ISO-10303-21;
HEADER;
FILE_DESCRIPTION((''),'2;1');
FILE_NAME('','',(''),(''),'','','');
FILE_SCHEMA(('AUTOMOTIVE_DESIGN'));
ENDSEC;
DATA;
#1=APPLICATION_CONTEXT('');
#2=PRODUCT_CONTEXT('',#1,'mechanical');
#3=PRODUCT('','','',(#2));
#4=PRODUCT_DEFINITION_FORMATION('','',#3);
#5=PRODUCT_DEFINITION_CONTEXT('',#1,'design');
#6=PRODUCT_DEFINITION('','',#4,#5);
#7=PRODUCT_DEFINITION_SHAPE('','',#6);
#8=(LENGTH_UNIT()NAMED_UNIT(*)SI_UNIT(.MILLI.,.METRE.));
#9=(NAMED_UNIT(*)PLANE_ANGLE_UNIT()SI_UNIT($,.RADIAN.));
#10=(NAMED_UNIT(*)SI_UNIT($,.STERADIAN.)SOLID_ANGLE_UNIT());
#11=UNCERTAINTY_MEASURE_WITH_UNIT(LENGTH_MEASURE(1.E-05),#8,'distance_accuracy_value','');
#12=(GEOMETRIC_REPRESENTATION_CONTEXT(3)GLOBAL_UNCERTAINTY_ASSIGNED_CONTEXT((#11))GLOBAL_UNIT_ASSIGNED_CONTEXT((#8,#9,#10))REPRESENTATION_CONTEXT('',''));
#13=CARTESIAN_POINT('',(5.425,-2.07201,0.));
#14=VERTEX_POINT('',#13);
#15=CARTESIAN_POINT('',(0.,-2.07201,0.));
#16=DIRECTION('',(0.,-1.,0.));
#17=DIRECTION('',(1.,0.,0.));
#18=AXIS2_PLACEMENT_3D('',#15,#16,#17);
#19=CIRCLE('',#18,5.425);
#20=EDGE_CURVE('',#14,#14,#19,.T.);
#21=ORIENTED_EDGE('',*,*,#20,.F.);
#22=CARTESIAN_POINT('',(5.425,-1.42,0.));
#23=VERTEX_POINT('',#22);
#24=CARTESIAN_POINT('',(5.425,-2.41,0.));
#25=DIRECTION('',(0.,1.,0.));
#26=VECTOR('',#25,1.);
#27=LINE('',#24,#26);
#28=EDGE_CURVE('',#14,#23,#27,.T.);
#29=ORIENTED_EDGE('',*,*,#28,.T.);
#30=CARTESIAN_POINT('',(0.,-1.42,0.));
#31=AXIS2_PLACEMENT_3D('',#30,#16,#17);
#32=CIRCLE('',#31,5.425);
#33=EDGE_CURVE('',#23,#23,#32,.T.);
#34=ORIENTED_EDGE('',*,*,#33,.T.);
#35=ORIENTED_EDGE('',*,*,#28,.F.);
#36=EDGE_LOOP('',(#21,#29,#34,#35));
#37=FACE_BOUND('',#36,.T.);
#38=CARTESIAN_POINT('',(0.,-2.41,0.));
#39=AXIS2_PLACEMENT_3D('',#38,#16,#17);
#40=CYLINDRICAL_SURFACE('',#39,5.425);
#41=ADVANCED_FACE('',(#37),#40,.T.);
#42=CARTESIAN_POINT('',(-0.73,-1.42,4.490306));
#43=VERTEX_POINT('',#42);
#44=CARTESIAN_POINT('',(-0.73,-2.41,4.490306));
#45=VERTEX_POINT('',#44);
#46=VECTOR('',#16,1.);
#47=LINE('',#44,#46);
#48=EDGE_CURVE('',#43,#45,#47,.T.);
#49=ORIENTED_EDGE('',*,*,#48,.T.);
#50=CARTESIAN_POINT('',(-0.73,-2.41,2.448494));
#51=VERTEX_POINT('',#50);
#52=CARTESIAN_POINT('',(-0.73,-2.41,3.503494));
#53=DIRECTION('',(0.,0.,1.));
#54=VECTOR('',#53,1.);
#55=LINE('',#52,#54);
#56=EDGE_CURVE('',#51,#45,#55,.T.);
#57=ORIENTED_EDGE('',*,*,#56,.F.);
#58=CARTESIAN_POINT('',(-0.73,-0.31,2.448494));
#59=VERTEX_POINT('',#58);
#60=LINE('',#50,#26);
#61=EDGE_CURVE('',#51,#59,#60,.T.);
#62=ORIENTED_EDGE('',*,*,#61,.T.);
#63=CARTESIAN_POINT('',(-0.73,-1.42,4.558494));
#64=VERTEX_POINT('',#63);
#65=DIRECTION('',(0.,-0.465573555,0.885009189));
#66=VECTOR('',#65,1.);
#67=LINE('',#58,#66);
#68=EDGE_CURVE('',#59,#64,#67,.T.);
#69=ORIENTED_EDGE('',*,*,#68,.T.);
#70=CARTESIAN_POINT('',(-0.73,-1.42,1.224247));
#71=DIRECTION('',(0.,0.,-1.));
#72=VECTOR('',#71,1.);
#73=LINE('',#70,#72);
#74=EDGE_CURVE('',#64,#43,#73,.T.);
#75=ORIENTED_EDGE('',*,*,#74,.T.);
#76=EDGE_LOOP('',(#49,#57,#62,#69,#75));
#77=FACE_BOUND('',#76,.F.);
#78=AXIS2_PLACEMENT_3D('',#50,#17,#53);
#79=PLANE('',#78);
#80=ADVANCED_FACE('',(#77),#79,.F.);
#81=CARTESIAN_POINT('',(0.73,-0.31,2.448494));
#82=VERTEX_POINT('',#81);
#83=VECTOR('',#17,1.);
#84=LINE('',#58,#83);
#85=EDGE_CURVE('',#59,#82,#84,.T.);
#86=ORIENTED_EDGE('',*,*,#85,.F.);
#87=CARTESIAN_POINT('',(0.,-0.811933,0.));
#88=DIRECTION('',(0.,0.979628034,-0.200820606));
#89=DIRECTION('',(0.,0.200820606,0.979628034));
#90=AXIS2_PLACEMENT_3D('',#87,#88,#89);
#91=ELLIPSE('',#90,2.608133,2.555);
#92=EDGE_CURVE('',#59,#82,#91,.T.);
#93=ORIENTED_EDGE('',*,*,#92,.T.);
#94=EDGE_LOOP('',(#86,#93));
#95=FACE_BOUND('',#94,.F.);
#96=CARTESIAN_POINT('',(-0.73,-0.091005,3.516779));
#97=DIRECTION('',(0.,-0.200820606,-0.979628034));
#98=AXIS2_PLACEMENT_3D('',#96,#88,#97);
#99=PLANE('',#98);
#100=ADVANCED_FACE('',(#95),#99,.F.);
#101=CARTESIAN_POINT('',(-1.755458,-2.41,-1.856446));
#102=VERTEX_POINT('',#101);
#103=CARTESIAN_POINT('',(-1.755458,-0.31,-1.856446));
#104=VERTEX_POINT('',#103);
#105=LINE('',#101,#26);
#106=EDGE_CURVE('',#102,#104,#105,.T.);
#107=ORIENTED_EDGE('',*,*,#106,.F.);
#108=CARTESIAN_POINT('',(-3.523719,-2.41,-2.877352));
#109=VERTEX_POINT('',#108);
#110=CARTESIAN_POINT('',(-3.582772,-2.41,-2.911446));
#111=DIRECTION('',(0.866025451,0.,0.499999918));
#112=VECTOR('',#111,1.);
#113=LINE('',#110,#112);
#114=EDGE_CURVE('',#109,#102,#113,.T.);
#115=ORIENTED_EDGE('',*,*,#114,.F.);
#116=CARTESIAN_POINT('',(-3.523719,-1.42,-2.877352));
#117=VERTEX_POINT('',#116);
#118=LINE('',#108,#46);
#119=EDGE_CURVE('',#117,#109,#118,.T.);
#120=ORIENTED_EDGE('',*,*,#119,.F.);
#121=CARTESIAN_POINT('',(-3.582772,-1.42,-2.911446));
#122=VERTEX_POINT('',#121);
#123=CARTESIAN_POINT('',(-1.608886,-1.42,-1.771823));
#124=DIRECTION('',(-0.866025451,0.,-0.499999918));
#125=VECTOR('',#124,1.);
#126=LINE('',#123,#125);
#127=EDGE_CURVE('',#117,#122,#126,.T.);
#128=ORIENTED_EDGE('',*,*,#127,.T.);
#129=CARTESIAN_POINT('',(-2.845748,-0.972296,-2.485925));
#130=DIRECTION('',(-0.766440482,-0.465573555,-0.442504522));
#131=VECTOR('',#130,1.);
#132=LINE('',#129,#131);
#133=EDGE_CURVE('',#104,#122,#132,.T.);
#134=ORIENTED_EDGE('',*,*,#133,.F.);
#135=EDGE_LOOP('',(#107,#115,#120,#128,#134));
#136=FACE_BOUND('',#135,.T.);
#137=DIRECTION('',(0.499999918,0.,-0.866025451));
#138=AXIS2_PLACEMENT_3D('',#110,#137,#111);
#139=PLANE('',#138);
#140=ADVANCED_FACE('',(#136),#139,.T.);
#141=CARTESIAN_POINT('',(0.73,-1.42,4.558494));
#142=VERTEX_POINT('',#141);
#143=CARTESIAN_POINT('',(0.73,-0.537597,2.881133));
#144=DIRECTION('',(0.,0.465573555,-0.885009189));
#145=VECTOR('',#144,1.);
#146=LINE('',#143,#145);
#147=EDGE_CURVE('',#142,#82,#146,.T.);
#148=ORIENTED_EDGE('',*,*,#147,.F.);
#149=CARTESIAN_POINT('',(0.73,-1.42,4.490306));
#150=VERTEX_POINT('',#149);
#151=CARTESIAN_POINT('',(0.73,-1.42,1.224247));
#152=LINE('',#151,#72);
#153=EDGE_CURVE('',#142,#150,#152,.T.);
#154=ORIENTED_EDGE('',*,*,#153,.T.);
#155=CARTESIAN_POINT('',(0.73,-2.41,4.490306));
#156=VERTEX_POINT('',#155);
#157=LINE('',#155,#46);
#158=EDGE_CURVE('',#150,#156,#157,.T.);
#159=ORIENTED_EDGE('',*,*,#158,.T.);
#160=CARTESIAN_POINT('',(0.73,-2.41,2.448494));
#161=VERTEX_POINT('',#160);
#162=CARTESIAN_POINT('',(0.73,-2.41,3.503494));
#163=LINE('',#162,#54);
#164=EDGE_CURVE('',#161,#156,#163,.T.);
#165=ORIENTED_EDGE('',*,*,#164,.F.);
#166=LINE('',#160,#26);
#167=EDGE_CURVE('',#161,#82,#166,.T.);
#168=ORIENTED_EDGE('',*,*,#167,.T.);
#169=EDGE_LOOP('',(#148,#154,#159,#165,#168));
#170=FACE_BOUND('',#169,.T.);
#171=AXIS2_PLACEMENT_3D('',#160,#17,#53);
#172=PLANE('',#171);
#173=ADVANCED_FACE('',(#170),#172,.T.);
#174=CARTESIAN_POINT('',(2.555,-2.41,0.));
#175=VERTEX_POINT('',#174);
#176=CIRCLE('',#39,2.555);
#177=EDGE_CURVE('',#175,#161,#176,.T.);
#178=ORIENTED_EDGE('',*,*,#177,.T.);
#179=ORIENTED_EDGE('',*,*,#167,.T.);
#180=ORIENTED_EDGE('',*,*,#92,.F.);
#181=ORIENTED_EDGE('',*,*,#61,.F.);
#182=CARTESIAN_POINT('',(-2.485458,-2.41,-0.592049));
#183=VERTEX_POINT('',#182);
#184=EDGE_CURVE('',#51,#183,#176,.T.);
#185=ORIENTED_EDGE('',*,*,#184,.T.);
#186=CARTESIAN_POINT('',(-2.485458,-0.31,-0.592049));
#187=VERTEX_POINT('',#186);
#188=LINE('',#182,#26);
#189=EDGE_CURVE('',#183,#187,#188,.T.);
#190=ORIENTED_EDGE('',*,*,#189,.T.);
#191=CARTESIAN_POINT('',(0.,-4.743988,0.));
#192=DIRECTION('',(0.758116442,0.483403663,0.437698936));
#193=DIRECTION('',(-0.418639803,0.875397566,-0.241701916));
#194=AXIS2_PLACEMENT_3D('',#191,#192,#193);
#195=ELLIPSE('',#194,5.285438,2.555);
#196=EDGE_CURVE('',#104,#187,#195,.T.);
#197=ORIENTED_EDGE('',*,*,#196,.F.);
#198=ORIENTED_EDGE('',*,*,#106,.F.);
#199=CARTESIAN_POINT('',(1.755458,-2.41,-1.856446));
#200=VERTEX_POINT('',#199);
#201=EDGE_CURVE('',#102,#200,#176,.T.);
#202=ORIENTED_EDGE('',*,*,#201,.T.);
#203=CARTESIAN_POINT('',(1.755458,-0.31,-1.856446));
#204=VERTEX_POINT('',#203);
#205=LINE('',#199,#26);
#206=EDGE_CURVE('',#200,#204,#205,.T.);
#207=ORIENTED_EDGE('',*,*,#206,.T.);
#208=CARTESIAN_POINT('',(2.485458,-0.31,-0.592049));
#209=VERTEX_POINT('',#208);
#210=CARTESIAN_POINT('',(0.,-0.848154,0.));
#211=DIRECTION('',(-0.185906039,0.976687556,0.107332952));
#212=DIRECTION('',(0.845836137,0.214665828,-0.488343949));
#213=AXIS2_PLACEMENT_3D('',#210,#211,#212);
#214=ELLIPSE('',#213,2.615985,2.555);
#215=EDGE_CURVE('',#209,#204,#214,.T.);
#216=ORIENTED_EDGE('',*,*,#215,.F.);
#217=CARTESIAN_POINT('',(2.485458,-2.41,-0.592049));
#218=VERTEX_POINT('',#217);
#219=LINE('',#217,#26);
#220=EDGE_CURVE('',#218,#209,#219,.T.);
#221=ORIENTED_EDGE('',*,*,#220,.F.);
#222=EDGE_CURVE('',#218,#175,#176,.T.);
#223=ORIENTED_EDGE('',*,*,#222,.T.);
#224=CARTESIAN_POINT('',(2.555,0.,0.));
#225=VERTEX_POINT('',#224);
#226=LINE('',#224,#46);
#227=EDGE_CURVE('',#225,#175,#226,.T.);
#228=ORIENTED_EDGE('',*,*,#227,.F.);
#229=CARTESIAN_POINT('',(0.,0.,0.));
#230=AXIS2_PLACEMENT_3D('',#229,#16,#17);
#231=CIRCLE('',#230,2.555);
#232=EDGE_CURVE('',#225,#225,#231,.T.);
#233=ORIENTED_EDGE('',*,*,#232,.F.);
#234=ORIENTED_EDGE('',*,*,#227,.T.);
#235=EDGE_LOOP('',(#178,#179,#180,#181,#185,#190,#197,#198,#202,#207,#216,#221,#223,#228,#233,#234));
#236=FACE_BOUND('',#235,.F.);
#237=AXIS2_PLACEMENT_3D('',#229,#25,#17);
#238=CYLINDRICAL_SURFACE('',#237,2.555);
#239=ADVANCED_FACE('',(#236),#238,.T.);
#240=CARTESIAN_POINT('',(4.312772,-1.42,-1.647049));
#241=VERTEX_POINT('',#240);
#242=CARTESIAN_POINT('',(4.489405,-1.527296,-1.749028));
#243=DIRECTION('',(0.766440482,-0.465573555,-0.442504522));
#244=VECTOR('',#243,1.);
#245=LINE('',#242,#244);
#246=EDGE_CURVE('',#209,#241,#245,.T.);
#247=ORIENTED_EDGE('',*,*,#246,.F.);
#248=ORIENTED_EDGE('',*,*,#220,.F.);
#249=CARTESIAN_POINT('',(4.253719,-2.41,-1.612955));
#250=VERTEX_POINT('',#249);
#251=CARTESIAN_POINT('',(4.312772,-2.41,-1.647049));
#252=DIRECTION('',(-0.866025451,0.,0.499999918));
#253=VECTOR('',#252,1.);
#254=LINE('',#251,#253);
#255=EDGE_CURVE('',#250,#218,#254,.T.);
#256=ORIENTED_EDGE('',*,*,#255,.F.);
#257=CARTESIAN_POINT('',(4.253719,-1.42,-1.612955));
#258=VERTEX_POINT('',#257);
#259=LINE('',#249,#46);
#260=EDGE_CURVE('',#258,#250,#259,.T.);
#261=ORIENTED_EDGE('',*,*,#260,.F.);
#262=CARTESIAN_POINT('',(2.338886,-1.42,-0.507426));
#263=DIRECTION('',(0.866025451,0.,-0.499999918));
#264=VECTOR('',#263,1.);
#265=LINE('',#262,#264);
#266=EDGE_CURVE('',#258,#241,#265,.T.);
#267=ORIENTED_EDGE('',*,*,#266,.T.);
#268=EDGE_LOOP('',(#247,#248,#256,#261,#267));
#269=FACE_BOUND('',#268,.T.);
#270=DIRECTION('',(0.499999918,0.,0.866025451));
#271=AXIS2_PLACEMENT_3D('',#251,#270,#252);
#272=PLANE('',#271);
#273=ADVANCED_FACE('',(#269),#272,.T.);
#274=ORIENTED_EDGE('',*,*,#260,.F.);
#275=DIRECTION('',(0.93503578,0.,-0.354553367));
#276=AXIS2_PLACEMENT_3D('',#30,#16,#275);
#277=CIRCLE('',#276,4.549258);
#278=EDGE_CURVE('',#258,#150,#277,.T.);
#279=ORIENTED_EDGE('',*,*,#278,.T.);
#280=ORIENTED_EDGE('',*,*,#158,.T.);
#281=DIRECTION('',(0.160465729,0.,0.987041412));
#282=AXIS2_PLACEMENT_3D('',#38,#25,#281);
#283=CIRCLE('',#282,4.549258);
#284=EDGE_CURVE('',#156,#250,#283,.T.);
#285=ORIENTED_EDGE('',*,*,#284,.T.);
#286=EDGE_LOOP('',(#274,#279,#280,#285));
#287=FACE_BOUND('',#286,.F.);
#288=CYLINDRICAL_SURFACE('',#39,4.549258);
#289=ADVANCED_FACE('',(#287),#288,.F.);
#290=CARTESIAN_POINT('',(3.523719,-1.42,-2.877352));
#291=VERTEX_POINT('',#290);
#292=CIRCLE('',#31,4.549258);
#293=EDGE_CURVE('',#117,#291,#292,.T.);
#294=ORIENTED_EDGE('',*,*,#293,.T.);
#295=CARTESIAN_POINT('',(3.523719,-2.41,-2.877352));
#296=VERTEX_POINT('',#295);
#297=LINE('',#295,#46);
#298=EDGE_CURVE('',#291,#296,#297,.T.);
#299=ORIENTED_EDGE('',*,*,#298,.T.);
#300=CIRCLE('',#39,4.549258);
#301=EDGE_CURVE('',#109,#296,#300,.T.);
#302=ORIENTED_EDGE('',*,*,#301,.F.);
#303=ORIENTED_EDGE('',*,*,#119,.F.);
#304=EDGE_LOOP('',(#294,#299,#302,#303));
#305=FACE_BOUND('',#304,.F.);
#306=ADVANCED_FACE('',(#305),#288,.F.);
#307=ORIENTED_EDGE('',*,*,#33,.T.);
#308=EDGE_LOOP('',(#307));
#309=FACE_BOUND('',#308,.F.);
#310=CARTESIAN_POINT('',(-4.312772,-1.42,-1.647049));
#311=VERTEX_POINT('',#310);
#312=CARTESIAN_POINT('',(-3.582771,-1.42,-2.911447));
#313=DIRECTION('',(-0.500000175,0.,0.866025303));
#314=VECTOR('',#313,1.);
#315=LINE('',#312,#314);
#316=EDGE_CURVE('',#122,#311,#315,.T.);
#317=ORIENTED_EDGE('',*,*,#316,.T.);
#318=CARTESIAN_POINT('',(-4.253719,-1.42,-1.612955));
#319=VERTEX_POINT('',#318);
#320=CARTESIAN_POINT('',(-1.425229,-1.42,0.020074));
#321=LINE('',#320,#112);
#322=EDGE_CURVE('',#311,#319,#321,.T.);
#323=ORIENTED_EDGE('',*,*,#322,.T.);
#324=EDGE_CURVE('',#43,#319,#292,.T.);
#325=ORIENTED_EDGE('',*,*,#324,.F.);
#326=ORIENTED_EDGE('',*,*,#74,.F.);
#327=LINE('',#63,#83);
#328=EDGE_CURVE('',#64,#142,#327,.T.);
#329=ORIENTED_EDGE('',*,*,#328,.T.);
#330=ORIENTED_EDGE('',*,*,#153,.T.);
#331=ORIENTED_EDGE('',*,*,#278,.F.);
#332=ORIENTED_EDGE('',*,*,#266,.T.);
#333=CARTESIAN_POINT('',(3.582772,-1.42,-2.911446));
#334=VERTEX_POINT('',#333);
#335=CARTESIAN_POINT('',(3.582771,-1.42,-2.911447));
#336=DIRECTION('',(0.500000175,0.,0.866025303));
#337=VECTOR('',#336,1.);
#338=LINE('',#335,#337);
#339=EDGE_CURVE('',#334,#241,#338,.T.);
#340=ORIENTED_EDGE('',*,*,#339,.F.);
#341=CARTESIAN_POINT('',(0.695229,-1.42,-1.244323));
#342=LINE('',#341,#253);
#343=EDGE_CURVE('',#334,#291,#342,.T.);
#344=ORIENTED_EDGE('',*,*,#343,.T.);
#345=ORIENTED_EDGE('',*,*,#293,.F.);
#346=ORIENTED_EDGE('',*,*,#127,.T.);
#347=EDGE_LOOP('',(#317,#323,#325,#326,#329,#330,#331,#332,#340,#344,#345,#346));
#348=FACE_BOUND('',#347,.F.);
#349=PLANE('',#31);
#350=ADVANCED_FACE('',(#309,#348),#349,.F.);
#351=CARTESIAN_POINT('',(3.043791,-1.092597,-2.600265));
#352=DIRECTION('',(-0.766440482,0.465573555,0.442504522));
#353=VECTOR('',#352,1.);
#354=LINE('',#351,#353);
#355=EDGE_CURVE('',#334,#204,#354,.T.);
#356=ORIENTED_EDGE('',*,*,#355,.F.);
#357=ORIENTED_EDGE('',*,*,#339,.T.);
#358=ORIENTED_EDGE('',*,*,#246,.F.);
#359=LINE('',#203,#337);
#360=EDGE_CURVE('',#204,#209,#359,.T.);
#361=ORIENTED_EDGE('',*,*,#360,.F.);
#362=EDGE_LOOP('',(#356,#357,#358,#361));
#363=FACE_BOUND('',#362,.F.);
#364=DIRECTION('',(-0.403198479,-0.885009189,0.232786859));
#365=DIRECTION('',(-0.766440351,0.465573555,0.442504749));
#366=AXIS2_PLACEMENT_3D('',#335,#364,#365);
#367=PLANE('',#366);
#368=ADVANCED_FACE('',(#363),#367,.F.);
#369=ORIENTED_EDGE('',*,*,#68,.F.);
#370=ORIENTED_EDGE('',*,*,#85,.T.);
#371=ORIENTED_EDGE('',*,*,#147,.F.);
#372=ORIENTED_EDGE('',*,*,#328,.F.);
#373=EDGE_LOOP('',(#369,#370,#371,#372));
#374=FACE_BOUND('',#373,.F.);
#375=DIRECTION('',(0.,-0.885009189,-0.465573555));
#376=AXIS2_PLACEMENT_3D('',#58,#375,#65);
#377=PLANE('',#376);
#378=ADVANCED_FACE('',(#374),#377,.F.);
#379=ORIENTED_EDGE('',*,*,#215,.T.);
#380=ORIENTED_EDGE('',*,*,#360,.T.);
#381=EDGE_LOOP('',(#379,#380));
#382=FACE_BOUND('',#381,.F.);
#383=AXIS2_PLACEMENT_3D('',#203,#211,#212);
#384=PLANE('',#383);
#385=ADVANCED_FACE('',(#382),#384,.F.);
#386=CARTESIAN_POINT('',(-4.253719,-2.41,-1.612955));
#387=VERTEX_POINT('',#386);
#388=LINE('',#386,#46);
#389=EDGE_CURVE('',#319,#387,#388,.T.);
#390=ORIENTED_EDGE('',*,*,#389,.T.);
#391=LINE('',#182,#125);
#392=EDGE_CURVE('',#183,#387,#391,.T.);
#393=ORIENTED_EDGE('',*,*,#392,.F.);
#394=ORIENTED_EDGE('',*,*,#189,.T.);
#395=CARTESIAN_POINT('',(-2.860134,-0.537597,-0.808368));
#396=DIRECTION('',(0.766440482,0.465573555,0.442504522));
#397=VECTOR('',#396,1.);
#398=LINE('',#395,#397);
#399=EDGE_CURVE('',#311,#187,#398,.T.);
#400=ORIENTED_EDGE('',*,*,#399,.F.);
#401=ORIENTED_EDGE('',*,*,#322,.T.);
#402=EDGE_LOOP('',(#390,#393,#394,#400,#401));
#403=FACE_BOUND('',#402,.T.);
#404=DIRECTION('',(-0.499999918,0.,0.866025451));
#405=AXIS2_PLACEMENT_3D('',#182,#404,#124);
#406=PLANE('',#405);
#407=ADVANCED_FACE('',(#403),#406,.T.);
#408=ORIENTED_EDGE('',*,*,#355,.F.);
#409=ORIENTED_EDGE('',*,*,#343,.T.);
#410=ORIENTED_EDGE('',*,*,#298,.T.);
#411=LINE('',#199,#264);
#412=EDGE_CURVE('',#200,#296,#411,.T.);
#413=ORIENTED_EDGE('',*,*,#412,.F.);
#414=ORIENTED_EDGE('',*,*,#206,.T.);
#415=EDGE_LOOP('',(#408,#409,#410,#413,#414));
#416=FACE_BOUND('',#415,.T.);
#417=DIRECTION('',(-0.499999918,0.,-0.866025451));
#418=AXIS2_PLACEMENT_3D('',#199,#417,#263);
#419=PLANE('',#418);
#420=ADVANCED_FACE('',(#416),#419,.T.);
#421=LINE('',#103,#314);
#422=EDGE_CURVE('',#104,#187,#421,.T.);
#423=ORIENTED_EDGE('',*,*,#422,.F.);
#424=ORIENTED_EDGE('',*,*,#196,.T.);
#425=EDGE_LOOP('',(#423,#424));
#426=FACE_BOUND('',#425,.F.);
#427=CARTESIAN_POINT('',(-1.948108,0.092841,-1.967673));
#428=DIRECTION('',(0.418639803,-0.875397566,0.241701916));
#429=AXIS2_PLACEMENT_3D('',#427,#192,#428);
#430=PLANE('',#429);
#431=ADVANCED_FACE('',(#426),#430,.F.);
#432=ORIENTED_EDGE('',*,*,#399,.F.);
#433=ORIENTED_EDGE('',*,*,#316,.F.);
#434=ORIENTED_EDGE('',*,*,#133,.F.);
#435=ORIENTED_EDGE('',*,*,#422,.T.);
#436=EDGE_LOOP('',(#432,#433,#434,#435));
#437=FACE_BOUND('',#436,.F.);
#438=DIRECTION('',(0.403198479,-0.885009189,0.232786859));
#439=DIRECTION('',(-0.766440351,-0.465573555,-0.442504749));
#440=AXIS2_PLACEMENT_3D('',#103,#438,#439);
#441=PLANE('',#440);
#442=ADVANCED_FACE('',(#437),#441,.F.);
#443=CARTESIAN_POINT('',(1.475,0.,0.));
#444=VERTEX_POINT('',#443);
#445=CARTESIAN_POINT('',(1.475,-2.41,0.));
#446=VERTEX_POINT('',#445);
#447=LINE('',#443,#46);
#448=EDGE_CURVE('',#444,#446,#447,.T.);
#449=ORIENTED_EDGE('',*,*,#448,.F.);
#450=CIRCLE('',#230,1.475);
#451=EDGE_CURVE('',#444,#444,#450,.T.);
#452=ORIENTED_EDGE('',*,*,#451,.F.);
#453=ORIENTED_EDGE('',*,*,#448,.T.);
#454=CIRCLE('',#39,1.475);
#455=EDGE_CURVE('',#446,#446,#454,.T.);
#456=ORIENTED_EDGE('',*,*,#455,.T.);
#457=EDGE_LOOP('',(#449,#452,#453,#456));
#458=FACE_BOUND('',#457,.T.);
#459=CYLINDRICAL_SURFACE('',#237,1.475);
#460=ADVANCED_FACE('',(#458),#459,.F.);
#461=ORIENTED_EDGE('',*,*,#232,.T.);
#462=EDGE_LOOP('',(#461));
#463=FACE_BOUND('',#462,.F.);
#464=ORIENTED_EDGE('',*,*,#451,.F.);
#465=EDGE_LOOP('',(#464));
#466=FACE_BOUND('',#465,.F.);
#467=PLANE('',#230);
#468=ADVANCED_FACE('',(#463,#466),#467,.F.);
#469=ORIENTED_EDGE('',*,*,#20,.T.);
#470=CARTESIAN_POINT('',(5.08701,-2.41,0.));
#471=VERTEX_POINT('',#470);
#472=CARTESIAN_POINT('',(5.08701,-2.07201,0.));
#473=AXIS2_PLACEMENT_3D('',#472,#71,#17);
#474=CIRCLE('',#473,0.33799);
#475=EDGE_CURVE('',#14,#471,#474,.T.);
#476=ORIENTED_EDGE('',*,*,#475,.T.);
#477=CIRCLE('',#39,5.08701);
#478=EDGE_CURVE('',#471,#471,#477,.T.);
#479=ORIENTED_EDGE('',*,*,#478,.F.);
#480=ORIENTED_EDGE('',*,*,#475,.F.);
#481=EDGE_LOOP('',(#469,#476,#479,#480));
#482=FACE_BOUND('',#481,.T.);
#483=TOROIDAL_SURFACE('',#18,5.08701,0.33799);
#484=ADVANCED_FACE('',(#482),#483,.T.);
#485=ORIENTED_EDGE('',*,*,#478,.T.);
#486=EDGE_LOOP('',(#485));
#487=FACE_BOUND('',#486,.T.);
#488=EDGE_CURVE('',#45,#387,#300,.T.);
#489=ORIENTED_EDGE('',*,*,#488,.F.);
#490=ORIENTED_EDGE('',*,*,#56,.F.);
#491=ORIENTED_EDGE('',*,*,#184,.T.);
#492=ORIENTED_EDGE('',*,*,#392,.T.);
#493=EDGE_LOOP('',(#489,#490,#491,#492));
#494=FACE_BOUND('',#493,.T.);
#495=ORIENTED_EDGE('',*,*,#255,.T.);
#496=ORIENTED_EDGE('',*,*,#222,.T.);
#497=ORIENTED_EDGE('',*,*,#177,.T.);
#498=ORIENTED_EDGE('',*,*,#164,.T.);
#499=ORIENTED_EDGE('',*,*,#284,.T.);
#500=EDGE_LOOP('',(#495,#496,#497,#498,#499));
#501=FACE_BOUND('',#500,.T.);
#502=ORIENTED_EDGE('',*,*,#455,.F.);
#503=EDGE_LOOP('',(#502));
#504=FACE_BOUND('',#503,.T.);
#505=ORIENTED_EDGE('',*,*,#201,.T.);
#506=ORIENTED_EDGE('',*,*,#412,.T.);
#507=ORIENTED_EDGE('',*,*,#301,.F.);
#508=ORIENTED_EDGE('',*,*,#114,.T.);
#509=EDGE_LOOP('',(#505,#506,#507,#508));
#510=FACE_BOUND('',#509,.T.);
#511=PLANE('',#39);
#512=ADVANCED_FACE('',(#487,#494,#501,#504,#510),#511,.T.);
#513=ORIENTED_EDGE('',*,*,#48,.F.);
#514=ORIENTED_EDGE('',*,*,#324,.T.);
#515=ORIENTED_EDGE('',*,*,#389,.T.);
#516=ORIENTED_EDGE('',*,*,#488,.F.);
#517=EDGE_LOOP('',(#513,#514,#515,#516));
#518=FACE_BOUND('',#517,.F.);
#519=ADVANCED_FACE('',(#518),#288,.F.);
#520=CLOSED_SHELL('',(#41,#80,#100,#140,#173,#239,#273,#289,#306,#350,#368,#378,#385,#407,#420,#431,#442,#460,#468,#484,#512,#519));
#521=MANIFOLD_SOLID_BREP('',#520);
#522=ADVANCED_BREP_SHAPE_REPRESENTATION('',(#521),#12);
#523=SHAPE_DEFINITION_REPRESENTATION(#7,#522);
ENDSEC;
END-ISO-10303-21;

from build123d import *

# Parameters (mm, degrees)
F0_R      = 2.555
F0_R_2    = 1.475
F1_DEPTH  = 2.41
F2_W      = 1.46
F2_H      = 2.11
F3_DEPTH  = 2.1
F5_DEPTH  = 25
F7_DEPTH  = 25
F9_DEPTH  = 25
F10_R     = 5.425
F10_R_2   = 4.549258
F11_DEPTH = 0.99
F12_R     = 0.33799


with BuildPart() as f1:
    # F0 (on Front) → F1 (new body)
    with BuildSketch(Plane.XZ):
        Circle(F0_R)
        Circle(F0_R_2, mode=Mode.SUBTRACT)
    extrude(amount=F1_DEPTH)

    # F2 (on face) → F3 (join)
    with BuildSketch(Plane.XZ.offset(2.41)):
        with Locations((0, 3.503494)):
            Rectangle(F2_W, F2_H)
        Polygon((-3.582772, -2.911446), (-1.755458, -1.856446), (-2.485458, -0.592049), (-4.312772, -1.647049), align=None)
        Polygon((4.312772, -1.647049), (2.485458, -0.592049), (1.755458, -1.856446), (3.582772, -2.911446), align=None)
    extrude(amount=-F3_DEPTH)

    # F4 (on face) → F5 (cut)
    with BuildSketch(Plane(origin=(-0.365, 0, -0.632199), x_dir=(0.866025, 0, -0.5), z_dir=(-0.5, 0, -0.866025))):
        Polygon((4.558494, 1.42), (2.448494, 0.31), (3.479598, 0.083374), (4.896949, 0.210857), (4.896949, 2.56652), (4.714418, 2.478824), (4.714418, 1.641871), align=None)
    extrude(amount=-F5_DEPTH, mode=Mode.SUBTRACT)

    # F6 (on face) → F7 (cut)
    with BuildSketch(Plane(origin=(-0.73, 0, 0), x_dir=(0, -1, 0), z_dir=(-1, 0, 0))):
        Polygon((0.091005, 3.516779), (0.31, 2.448494), (1.42, 4.558494), (2.41, 4.741723), (0.190774, 5.01886), align=None)
    extrude(amount=-F7_DEPTH, mode=Mode.SUBTRACT)

    # F8 (on face) → F9 (cut)
    with BuildSketch(Plane(origin=(0.365, 0, -0.632199), x_dir=(0.866025, 0, 0.5), z_dir=(0.5, 0, -0.866025))):
        Polygon((-4.558494, 1.42), (-5.496076, 1.436378), (-4.840972, -0.092841), (-2.670947, -0.092841), (-2.448494, 0.31), align=None)
    extrude(amount=-F9_DEPTH, mode=Mode.SUBTRACT)

    # F10 (on face) → F11 (join)
    with BuildSketch(Plane.XZ.offset(2.41)):
        Circle(F10_R)
        Circle(F10_R_2, mode=Mode.SUBTRACT)
    extrude(amount=-F11_DEPTH)

    # F12
    f12_edges = [f1.edges().sort_by_distance(p)[0] for p in [
        (-5.425, -2.41, 0),
    ]]
    fillet(f12_edges, radius=F12_R)


solid = f1.part
